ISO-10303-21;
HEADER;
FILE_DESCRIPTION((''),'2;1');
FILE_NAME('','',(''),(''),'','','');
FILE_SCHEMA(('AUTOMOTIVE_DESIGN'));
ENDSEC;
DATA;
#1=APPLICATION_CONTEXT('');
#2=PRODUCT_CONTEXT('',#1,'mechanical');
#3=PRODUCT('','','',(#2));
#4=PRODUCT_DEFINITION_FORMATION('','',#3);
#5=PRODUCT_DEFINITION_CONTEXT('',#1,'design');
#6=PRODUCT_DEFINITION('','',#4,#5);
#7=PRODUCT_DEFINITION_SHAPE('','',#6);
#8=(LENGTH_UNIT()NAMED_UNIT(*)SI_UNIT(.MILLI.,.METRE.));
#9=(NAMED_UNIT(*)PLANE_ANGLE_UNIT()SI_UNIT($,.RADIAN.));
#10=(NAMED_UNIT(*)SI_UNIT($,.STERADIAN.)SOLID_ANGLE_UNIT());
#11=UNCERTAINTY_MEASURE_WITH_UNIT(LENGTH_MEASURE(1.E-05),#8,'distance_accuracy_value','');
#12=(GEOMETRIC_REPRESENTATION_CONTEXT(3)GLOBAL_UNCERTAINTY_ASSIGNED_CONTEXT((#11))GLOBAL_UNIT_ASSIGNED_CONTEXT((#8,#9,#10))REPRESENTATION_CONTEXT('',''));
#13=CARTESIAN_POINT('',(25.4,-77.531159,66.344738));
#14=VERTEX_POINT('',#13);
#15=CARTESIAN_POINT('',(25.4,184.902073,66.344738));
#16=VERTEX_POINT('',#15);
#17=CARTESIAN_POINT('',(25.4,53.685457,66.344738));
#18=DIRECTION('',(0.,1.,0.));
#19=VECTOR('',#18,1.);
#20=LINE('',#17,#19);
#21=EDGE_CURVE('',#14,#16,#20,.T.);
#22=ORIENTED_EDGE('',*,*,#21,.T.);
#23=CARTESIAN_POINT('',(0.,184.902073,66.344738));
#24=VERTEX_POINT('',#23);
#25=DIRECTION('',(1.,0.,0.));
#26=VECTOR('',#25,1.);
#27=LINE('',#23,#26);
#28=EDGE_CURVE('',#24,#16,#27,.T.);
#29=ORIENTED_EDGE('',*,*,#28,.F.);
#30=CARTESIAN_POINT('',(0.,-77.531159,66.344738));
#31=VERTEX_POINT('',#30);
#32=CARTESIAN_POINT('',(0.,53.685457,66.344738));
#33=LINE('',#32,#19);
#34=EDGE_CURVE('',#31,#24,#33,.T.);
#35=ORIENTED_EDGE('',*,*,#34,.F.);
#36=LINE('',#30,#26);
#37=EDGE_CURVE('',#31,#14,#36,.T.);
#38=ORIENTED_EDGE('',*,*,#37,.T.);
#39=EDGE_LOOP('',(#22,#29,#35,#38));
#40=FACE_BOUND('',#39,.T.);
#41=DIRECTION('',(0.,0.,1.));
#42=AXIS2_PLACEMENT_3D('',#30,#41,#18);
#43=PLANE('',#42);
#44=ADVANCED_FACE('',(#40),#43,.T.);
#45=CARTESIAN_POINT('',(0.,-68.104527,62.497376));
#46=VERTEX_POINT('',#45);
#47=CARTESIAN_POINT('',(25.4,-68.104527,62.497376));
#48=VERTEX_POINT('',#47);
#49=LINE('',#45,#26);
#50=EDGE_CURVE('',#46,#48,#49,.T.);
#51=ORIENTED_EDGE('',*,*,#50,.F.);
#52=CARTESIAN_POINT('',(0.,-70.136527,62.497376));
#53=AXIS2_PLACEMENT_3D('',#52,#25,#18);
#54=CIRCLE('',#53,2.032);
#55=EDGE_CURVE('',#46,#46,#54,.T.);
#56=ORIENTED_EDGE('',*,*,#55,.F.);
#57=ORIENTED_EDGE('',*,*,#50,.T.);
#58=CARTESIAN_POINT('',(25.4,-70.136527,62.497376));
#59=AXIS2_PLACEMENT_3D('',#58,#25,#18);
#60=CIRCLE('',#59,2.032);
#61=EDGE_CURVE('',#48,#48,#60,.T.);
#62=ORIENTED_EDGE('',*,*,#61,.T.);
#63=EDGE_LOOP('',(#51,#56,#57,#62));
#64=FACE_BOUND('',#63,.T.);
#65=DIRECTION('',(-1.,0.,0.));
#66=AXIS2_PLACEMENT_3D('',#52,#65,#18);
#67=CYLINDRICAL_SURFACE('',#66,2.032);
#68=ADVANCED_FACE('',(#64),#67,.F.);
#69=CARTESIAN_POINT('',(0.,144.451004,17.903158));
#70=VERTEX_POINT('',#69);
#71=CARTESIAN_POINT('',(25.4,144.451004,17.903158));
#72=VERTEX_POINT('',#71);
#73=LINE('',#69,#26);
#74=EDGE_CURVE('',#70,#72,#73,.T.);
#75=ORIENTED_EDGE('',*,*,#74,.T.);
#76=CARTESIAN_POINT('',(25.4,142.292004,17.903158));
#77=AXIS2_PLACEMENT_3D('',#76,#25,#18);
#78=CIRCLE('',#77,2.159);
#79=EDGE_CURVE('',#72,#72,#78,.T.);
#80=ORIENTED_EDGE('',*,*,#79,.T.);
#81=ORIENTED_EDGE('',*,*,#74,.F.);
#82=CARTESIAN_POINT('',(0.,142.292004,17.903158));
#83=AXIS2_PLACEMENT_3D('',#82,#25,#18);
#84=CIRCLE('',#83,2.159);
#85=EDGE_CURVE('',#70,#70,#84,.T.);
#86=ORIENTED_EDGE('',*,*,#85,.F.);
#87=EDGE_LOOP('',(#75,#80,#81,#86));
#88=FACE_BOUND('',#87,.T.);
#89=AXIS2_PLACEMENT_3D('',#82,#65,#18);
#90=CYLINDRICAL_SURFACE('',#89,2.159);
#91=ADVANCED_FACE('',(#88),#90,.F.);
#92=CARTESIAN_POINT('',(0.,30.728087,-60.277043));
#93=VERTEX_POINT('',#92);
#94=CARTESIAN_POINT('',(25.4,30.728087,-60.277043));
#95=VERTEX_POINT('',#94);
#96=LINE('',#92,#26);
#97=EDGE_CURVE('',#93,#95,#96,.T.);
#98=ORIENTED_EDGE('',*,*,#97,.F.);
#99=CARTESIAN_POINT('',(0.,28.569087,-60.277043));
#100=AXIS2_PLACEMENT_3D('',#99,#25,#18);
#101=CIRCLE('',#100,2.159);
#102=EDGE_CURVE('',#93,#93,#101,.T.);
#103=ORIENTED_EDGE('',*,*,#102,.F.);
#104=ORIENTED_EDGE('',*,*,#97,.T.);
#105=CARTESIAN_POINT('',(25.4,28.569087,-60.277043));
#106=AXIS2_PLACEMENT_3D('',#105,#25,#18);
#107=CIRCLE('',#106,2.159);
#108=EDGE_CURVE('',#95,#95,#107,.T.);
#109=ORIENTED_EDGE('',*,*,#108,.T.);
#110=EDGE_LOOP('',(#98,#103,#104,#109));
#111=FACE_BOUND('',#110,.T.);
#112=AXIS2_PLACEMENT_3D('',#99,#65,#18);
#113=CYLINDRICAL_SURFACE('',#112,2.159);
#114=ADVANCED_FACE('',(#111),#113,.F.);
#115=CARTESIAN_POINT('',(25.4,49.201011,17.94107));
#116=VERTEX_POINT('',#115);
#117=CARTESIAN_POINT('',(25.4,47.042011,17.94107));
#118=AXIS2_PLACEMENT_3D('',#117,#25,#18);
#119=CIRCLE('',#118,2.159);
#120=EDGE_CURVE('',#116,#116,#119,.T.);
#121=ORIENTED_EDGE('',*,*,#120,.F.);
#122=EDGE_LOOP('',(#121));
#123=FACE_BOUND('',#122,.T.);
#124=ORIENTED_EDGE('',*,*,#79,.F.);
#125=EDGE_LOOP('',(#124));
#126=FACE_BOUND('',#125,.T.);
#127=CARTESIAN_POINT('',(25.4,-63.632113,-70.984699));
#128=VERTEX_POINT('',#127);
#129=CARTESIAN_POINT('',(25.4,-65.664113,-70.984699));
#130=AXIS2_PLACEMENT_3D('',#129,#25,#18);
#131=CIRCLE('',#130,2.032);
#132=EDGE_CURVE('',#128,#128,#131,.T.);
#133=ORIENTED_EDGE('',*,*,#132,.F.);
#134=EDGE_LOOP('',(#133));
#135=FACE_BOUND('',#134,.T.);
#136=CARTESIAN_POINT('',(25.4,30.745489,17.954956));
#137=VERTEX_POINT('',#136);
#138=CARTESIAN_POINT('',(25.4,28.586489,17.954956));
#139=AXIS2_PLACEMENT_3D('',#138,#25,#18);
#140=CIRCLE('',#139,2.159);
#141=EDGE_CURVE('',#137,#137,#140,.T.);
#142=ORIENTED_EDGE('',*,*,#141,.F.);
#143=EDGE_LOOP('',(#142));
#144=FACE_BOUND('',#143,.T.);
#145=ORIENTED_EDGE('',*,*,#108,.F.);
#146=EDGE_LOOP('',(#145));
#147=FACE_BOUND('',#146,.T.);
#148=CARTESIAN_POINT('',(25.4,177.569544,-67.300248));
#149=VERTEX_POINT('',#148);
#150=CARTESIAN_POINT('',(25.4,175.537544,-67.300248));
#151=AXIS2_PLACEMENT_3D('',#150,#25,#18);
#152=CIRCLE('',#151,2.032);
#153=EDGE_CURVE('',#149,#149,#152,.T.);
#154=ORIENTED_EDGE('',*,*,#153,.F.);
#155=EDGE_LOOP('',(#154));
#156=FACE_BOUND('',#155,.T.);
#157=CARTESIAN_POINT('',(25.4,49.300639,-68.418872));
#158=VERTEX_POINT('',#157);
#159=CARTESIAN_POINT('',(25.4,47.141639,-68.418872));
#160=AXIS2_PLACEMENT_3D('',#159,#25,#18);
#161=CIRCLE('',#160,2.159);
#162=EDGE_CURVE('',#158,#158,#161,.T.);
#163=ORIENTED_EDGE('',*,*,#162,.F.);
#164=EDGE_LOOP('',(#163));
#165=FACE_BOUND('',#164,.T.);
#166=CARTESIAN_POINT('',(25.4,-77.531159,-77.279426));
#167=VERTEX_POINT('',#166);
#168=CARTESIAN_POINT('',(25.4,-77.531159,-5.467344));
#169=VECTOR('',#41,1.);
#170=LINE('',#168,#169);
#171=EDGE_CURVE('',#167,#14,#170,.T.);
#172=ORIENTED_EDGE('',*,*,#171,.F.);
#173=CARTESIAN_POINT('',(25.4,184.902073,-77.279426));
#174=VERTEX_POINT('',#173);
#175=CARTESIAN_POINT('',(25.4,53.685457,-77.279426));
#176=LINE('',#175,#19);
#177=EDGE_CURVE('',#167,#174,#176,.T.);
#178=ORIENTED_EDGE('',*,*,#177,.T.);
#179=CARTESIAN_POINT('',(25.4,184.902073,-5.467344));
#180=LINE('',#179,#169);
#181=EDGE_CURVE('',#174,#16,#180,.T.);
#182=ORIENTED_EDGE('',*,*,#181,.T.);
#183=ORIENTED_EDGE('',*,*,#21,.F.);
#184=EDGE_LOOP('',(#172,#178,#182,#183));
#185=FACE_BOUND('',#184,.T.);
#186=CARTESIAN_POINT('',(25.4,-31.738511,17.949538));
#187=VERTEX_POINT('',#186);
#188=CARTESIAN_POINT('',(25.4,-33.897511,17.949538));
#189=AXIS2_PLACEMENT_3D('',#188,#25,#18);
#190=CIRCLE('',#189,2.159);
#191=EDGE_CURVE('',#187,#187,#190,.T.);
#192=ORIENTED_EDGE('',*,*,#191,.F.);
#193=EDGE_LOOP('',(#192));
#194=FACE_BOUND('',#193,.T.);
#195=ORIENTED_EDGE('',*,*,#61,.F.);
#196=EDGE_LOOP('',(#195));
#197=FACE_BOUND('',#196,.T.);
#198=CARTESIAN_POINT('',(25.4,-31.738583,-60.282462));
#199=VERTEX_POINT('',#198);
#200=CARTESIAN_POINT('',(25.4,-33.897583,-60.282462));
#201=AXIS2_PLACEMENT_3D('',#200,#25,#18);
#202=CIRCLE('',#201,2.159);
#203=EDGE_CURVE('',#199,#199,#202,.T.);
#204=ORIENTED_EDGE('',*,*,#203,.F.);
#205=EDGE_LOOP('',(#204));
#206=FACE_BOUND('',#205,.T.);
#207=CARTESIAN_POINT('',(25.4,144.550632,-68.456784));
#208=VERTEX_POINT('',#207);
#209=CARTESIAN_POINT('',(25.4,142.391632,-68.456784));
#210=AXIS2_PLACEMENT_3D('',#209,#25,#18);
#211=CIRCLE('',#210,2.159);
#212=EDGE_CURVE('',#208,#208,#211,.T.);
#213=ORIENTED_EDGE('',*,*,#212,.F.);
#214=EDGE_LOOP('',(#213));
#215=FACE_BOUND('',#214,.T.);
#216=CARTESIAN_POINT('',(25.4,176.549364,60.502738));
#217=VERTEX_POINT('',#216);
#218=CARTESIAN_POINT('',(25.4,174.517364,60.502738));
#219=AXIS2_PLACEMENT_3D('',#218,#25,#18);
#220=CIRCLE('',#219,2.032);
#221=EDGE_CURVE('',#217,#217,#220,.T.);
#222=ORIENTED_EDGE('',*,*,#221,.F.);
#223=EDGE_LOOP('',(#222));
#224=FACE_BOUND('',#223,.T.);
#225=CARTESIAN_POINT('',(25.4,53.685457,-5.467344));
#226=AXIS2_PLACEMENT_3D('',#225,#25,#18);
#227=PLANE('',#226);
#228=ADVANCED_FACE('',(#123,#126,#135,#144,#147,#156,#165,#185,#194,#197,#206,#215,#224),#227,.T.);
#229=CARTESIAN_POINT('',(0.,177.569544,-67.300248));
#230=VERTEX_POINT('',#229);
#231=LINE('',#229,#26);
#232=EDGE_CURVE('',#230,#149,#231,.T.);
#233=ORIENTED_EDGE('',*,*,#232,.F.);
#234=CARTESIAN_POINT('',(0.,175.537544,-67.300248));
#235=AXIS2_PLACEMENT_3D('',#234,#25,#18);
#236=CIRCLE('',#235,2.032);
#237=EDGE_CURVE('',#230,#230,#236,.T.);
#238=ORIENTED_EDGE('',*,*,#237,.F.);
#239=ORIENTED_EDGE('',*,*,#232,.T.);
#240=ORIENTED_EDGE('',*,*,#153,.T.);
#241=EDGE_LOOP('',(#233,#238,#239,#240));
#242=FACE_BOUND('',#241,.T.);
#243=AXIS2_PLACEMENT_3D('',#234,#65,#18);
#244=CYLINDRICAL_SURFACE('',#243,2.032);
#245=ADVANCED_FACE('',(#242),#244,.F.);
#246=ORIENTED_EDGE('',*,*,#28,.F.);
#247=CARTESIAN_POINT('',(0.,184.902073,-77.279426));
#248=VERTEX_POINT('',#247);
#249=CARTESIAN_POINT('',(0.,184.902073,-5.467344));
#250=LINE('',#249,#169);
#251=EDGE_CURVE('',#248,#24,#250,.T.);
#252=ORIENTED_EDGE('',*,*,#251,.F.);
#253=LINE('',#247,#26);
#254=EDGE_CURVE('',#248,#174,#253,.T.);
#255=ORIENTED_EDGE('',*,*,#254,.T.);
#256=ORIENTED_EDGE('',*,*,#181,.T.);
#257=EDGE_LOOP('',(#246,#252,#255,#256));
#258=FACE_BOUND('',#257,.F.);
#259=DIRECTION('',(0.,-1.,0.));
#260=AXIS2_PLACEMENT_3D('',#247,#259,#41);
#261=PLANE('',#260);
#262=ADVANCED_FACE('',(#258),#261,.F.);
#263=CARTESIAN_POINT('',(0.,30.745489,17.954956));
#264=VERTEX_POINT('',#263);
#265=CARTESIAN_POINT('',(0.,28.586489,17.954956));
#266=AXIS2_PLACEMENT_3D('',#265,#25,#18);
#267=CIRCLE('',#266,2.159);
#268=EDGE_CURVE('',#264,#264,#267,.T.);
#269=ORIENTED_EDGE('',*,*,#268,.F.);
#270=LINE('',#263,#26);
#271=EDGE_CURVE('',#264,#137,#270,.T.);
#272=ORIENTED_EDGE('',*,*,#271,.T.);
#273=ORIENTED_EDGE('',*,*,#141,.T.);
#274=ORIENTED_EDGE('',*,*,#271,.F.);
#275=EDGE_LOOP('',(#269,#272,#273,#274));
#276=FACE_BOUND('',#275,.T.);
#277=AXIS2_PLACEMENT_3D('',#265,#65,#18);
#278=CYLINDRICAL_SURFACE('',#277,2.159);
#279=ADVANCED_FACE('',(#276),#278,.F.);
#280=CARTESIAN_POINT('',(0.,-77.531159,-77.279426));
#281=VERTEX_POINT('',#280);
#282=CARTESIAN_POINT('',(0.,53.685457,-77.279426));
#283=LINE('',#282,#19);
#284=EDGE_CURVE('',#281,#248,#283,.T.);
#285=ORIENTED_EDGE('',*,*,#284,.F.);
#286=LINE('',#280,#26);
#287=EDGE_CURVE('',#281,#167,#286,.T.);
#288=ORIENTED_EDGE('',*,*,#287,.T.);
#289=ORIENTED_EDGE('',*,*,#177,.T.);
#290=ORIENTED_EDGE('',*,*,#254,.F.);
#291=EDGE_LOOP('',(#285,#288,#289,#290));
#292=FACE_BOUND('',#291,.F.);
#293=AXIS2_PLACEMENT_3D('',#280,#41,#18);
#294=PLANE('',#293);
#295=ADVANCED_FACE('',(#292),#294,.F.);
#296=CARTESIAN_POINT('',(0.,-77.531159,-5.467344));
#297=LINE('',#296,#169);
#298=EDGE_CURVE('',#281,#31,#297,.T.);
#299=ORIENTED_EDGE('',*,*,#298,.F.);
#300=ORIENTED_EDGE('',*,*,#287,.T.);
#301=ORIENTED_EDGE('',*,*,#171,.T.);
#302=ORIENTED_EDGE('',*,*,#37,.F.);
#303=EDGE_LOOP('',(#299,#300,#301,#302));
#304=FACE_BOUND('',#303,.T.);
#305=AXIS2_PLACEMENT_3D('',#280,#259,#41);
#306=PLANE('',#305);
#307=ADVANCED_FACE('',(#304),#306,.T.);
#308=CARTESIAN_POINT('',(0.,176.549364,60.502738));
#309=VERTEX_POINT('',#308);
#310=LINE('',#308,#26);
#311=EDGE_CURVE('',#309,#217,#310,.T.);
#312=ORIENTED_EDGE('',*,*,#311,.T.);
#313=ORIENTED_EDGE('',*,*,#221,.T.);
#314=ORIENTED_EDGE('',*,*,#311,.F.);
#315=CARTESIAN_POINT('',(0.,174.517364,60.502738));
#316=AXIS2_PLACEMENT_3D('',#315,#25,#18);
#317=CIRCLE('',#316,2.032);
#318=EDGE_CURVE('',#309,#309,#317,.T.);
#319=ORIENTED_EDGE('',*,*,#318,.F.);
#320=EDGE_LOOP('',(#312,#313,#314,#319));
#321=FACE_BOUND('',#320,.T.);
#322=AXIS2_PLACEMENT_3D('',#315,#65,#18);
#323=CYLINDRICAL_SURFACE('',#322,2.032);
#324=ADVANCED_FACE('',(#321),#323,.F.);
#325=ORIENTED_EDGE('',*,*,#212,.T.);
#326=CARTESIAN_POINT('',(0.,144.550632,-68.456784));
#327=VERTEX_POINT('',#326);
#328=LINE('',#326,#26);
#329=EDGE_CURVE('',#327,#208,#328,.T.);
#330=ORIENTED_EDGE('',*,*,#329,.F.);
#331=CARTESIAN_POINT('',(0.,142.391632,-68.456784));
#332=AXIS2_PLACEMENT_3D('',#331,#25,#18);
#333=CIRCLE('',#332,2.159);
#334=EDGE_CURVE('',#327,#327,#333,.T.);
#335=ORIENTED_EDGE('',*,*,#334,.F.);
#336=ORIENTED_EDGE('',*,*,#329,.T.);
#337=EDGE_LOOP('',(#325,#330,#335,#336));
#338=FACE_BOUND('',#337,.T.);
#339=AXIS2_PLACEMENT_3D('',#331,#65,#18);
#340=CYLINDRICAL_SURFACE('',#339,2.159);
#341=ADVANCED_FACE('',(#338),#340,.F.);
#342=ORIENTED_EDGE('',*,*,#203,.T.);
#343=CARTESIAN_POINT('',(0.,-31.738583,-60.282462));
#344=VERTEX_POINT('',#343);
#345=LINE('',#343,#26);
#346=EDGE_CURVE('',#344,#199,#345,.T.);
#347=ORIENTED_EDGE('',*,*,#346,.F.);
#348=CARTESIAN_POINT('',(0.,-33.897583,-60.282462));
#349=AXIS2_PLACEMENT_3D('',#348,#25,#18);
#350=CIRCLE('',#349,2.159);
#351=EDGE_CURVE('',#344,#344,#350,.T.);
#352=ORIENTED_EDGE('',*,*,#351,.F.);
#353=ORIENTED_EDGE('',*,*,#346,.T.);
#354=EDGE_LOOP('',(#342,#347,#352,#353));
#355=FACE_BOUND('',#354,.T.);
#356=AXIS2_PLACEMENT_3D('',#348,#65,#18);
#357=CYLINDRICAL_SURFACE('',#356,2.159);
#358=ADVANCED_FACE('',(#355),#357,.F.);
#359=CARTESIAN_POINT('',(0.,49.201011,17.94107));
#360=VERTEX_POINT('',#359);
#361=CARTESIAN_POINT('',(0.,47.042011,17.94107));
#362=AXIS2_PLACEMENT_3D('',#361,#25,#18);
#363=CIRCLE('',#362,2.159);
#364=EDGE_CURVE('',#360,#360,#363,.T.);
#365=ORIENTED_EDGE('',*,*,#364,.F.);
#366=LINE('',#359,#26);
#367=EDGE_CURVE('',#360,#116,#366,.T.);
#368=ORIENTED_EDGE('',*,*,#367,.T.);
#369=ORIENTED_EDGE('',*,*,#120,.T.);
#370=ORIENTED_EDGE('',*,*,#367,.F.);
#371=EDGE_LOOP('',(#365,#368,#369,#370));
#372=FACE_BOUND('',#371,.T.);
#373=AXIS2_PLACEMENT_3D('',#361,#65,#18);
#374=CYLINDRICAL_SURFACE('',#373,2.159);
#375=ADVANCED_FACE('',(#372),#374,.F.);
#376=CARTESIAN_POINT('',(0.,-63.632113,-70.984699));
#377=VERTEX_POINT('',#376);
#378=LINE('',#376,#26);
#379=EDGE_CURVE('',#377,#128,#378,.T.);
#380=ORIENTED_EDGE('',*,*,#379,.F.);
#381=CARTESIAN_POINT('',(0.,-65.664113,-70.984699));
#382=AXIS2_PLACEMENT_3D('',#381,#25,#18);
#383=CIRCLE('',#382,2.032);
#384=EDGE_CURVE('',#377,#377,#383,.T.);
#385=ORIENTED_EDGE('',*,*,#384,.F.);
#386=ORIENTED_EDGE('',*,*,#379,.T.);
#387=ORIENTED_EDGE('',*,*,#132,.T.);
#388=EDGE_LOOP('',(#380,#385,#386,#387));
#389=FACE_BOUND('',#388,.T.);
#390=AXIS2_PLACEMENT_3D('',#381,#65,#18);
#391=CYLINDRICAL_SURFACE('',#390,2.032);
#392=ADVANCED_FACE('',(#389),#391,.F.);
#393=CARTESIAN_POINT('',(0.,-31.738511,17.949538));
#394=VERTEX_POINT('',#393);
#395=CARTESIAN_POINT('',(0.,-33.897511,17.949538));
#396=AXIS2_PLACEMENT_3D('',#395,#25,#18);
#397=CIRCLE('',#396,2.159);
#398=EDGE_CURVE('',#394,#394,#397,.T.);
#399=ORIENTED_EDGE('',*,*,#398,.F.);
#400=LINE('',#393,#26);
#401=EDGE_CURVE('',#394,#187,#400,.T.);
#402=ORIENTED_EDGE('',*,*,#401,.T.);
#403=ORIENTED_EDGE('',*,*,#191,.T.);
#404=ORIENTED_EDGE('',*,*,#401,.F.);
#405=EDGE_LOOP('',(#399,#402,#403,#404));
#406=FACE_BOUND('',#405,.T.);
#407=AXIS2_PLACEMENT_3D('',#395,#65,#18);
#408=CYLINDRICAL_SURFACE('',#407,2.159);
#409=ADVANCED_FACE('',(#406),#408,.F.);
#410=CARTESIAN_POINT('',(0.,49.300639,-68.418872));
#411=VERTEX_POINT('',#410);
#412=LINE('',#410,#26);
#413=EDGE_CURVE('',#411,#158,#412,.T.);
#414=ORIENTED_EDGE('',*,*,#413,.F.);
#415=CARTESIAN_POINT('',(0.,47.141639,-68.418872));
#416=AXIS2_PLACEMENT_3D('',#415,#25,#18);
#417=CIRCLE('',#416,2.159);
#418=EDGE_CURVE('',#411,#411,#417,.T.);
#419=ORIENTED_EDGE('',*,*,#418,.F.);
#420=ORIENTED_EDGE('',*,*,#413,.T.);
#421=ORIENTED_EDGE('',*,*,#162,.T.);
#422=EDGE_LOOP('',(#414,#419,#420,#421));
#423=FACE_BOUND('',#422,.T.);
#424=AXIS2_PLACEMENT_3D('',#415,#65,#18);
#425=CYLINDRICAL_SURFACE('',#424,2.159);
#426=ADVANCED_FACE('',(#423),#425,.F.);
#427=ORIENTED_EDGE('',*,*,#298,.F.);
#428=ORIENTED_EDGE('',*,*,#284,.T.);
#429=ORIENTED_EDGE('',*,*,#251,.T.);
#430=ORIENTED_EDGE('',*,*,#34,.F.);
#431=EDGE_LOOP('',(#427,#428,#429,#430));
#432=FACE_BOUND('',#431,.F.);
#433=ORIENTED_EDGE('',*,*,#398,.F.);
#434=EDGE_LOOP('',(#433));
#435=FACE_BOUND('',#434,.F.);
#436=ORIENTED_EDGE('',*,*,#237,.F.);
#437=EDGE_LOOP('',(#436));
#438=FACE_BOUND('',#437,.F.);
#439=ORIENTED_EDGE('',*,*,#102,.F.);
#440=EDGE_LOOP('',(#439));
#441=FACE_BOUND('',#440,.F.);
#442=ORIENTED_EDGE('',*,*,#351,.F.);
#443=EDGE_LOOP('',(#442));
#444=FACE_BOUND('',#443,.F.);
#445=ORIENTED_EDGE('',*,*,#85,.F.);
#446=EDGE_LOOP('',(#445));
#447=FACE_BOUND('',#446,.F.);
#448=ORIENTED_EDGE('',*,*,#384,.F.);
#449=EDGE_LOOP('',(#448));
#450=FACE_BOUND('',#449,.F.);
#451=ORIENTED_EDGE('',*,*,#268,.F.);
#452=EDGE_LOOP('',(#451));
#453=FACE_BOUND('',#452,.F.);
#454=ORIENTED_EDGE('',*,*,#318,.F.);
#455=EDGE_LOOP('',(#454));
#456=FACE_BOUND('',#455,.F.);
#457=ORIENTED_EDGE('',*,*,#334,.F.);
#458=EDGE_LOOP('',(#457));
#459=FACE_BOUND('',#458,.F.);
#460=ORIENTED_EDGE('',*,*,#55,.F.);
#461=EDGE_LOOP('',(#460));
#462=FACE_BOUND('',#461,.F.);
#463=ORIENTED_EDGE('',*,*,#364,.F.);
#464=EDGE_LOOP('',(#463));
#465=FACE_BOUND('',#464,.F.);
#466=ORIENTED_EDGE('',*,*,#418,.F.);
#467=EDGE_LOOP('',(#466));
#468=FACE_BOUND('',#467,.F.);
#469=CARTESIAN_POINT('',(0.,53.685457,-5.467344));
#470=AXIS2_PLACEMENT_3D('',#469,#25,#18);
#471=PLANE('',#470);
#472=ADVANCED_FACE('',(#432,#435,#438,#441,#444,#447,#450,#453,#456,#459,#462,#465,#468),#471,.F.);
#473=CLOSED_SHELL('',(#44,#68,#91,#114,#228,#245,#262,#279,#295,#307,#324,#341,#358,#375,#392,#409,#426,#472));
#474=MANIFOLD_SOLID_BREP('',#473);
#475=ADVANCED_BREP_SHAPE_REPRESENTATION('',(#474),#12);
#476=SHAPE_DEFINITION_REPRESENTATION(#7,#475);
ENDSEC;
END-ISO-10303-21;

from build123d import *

# Parameters (mm, degrees)
F0_W     = 262.433231
F0_H     = 143.624164
F0_R     = 2.032
F0_R_2   = 2.159
F1_DEPTH = 25.4


with BuildPart() as f1:
    # F0 (on Right) → F1 (new body)
    with BuildSketch(Plane.YZ):
        with Locations((53.685457, -5.467344)):
            Rectangle(F0_W, F0_H)
        with Locations((-65.664113, -70.984699)):
            Circle(F0_R, mode=Mode.SUBTRACT)
        with Locations((-33.897583, -60.282462)):
            Circle(F0_R_2, mode=Mode.SUBTRACT)
        with Locations((47.141639, -68.418872)):
            Circle(F0_R_2, mode=Mode.SUBTRACT)
        with Locations((28.569087, -60.277043)):
            Circle(F0_R_2, mode=Mode.SUBTRACT)
        with Locations((142.391632, -68.456784)):
            Circle(F0_R_2, mode=Mode.SUBTRACT)
        with Locations((175.537544, -67.300248)):
            Circle(F0_R, mode=Mode.SUBTRACT)
        with Locations((-33.897511, 17.949538)):
            Circle(F0_R_2, mode=Mode.SUBTRACT)
        with Locations((28.586489, 17.954956)):
            Circle(F0_R_2, mode=Mode.SUBTRACT)
        with Locations((47.042011, 17.94107)):
            Circle(F0_R_2, mode=Mode.SUBTRACT)
        with Locations((-70.136527, 62.497376)):
            Circle(F0_R, mode=Mode.SUBTRACT)
        with Locations((142.292004, 17.903158)):
            Circle(F0_R_2, mode=Mode.SUBTRACT)
        with Locations((174.517364, 60.502738)):
            Circle(F0_R, mode=Mode.SUBTRACT)
    extrude(amount=F1_DEPTH)


solid = f1.part
